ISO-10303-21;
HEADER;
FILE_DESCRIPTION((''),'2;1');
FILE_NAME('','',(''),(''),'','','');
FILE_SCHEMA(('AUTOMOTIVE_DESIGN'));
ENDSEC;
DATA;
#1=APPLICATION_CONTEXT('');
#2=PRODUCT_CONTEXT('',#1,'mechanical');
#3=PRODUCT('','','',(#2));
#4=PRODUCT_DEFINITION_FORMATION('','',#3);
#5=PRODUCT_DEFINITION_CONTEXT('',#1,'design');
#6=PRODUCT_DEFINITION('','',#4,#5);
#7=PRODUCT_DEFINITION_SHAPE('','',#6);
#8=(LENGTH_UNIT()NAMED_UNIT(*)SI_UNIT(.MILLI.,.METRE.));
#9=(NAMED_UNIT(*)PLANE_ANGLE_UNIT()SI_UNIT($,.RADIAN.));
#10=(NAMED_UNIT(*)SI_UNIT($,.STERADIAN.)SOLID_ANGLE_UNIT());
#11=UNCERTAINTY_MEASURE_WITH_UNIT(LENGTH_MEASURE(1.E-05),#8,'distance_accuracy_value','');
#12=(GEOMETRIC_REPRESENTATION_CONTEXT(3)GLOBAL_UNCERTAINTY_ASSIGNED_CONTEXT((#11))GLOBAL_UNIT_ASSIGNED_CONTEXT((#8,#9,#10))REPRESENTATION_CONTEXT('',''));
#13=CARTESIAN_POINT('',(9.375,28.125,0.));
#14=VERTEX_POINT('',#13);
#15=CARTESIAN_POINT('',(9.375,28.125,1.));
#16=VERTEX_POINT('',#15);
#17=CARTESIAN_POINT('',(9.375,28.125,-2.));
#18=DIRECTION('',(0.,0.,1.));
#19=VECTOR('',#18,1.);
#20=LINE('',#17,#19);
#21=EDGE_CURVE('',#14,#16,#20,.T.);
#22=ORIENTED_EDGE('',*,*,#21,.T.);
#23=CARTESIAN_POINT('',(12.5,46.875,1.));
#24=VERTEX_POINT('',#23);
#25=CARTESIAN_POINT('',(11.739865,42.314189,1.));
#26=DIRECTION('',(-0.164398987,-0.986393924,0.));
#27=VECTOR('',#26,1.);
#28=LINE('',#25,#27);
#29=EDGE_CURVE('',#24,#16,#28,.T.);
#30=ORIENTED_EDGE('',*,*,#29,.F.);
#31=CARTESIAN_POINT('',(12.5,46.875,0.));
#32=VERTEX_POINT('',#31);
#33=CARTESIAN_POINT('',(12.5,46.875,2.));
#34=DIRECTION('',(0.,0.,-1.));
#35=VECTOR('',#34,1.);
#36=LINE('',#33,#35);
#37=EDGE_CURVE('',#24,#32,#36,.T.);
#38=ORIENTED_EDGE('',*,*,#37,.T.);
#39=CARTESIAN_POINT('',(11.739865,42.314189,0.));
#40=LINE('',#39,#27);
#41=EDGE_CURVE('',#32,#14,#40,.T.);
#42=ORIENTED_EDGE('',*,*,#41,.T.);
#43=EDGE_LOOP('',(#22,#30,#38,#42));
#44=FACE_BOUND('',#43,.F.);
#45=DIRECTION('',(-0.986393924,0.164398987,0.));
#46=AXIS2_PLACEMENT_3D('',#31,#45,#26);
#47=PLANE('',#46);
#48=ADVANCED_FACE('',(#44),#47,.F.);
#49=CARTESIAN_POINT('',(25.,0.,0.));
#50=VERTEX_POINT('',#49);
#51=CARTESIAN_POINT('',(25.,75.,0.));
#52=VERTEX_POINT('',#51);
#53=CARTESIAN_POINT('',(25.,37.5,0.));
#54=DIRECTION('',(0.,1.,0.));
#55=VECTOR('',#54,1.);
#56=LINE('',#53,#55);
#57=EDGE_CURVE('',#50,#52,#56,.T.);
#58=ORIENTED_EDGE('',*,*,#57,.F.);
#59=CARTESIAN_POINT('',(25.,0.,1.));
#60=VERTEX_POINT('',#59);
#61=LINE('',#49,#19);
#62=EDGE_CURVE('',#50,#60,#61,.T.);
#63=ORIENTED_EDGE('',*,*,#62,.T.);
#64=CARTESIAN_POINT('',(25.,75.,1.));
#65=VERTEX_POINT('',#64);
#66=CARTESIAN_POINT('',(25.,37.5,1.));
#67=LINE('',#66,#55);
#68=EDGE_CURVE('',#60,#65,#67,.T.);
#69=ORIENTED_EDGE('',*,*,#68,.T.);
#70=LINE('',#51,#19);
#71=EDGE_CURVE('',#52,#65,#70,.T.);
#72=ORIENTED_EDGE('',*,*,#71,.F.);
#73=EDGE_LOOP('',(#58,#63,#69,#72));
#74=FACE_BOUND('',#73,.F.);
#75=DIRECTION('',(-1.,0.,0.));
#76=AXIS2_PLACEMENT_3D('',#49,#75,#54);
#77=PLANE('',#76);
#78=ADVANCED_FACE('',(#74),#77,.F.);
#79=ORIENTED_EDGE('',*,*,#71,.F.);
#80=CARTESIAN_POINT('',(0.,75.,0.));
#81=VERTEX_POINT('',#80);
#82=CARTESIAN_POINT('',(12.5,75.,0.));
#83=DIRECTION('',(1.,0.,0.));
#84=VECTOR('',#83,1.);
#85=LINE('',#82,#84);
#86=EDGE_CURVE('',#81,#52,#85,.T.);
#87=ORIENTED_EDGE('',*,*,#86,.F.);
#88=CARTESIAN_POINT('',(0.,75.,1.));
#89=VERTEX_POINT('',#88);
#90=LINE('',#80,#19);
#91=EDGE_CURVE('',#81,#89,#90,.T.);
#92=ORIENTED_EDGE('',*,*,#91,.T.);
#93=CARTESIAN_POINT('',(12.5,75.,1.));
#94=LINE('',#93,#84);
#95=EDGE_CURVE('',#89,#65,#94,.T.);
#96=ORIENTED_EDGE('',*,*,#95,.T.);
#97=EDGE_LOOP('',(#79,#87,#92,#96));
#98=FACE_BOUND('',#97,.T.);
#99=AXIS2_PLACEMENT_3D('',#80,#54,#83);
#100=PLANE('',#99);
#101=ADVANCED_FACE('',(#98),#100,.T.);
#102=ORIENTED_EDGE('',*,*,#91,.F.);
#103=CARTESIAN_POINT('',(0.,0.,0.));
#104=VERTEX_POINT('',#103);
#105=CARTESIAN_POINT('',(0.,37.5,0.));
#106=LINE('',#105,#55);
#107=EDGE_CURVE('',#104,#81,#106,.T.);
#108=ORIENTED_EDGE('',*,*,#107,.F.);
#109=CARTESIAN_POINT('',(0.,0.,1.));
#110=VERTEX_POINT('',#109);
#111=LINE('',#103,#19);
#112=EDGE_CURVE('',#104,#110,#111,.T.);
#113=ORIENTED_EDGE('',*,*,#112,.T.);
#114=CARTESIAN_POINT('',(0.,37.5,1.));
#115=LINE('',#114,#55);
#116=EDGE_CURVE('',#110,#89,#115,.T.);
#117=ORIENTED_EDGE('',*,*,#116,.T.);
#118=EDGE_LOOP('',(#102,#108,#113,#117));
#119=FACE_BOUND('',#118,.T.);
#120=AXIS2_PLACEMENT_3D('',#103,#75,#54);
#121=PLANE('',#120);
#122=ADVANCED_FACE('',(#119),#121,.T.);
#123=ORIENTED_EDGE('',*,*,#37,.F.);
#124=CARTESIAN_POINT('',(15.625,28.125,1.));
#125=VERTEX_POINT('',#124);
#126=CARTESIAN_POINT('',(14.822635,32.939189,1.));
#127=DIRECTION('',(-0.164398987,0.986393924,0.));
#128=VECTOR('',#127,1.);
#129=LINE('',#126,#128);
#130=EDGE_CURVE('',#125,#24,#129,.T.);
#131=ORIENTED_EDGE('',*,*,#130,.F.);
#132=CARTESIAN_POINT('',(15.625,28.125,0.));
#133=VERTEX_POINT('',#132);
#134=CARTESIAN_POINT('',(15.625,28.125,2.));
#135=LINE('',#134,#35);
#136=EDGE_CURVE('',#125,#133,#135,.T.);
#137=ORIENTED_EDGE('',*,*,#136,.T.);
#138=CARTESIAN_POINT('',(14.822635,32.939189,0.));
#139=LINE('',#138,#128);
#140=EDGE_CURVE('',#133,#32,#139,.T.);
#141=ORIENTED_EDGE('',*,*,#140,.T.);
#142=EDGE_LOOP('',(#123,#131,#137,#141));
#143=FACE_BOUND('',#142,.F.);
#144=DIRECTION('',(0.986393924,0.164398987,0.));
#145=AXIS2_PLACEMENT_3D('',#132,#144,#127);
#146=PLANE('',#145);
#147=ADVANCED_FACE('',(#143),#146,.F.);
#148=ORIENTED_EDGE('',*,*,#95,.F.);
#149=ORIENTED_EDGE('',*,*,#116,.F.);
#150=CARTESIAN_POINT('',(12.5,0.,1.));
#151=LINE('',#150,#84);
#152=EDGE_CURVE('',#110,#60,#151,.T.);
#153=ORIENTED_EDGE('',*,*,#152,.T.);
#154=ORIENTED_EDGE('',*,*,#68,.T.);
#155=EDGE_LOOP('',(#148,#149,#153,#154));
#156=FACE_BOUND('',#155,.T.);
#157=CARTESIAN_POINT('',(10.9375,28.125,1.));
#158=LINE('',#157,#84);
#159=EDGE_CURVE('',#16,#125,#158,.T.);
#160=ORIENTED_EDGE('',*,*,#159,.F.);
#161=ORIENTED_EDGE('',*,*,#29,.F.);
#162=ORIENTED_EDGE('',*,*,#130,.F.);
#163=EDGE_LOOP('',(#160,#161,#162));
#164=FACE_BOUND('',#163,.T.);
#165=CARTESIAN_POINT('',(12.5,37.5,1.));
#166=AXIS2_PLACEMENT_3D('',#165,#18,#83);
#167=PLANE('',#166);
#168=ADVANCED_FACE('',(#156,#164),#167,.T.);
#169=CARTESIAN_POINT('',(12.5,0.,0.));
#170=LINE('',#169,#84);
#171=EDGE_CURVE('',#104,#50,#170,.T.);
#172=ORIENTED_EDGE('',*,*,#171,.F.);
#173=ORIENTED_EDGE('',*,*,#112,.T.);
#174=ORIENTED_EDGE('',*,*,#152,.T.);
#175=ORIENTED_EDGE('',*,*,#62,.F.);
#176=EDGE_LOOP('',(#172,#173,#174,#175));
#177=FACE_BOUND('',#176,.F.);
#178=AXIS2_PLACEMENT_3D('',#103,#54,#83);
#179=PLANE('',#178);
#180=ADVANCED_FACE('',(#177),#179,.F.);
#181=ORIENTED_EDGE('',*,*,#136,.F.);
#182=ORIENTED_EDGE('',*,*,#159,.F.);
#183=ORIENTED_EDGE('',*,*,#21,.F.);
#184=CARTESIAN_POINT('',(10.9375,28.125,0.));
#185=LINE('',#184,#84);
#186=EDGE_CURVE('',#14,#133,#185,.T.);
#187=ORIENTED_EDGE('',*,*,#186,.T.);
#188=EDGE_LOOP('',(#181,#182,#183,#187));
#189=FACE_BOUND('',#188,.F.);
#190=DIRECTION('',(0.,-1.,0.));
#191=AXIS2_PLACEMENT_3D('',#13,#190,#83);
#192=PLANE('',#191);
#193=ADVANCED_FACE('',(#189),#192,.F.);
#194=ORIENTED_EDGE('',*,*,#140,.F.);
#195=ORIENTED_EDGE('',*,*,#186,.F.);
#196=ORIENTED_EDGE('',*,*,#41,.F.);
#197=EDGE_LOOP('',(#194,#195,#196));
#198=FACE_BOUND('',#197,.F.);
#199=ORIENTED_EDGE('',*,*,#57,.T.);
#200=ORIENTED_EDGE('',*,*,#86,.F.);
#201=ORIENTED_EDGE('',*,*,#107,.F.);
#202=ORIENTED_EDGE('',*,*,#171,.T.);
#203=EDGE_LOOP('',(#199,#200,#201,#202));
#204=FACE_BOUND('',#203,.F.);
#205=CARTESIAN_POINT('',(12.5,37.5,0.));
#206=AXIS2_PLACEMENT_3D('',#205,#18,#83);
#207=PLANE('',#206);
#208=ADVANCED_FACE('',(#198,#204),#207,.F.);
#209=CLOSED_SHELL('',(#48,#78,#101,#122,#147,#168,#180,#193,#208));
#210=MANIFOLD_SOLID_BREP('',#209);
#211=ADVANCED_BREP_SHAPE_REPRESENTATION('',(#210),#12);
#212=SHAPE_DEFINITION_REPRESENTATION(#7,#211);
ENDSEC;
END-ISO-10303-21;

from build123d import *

# Parameters (mm, degrees)
PAD002_DEPTH      = 2
PAD002_DEPTH_BACK = 2
SKETCH_W          = 25
SKETCH_H          = 75
PAD_DEPTH         = 1


with BuildPart() as body002:
    # Sketch003 → Pad002 (new body, two sides)
    with BuildSketch(Plane.XY) as pad002_sk:
        Polygon((12.5, 46.875), (9.375, 28.125), (15.625, 28.125), align=None)
    extrude(amount=PAD002_DEPTH)
    extrude(pad002_sk.sketch, amount=-PAD002_DEPTH_BACK)


with BuildPart() as body:
    # Sketch → Pad (new body)
    with BuildSketch(Plane.XY):
        with Locations((12.5, 37.5)):
            Rectangle(SKETCH_W, SKETCH_H)
    extrude(amount=PAD_DEPTH)

    # Boolean: cut Body002
    add(body002.part, mode=Mode.SUBTRACT)


solid = body.part
